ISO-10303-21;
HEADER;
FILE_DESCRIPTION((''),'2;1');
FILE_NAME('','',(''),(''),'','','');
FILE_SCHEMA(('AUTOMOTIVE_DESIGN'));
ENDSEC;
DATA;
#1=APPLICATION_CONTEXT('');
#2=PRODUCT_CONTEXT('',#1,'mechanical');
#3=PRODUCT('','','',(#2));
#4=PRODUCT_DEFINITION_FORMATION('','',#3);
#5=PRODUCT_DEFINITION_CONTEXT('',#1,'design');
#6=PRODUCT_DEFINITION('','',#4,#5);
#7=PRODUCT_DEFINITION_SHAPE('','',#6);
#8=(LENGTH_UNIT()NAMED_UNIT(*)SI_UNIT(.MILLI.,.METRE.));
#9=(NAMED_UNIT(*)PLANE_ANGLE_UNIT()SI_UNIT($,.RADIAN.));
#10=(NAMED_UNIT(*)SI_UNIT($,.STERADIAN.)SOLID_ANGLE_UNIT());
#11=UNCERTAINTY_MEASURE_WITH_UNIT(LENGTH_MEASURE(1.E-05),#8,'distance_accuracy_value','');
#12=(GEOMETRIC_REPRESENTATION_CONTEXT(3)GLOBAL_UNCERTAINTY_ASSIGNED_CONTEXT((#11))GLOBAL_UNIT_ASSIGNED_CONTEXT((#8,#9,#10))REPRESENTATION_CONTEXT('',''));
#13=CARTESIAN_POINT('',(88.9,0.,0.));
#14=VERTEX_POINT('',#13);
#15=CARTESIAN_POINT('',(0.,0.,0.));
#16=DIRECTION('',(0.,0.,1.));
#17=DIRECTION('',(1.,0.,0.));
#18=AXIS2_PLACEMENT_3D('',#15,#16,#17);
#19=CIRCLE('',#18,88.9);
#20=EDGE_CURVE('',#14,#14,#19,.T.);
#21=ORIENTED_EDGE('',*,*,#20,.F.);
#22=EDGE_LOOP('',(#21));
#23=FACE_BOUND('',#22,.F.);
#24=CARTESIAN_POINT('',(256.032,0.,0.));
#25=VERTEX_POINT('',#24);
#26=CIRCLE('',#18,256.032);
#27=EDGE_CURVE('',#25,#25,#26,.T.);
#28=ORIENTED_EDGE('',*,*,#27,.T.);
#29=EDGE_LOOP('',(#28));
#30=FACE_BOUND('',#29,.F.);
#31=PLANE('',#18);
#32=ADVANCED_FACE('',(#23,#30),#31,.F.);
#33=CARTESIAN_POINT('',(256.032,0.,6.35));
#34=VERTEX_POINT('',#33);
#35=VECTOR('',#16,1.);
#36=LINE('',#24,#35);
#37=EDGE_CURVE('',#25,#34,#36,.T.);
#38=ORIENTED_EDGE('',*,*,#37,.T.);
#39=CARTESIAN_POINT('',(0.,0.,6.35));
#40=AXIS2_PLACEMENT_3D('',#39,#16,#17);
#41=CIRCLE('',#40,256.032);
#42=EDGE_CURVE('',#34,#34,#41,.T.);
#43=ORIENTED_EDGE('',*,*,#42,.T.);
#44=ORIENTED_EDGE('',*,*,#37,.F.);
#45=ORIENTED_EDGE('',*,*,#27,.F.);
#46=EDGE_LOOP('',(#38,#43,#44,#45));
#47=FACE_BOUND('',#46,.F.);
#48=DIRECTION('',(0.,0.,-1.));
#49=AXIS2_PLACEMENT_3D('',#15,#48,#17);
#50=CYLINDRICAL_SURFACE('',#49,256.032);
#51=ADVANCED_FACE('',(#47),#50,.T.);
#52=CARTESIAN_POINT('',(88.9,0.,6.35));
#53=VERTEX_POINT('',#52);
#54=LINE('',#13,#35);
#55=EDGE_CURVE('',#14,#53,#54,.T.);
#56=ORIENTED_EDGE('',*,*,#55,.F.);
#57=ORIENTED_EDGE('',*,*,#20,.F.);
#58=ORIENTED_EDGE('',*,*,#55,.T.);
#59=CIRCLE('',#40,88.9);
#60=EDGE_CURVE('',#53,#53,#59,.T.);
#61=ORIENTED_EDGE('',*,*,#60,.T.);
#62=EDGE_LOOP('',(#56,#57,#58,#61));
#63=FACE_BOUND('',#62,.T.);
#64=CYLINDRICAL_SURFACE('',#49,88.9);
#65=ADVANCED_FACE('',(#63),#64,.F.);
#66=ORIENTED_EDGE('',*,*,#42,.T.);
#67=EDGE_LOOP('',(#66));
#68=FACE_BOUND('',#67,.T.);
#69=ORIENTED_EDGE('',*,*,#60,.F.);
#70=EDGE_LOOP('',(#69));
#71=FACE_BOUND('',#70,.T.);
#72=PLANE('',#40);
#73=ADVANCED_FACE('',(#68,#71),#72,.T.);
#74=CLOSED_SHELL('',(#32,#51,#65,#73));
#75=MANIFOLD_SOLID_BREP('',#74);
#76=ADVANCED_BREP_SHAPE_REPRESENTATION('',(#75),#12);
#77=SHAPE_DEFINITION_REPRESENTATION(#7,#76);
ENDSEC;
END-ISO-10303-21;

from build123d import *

# Parameters (mm, degrees)
F0_R     = 256.032
F0_R_2   = 117.475
F0_R_3   = 88.9
F1_DEPTH = 6.35


with BuildPart() as f1:
    # F0 (on Top) → F1 (new body)
    with BuildSketch(Plane.XY):
        Circle(F0_R)
        Circle(F0_R_2, mode=Mode.SUBTRACT)
        Circle(F0_R_2)
        Circle(F0_R_3, mode=Mode.SUBTRACT)
    extrude(amount=F1_DEPTH)


solid = f1.part
